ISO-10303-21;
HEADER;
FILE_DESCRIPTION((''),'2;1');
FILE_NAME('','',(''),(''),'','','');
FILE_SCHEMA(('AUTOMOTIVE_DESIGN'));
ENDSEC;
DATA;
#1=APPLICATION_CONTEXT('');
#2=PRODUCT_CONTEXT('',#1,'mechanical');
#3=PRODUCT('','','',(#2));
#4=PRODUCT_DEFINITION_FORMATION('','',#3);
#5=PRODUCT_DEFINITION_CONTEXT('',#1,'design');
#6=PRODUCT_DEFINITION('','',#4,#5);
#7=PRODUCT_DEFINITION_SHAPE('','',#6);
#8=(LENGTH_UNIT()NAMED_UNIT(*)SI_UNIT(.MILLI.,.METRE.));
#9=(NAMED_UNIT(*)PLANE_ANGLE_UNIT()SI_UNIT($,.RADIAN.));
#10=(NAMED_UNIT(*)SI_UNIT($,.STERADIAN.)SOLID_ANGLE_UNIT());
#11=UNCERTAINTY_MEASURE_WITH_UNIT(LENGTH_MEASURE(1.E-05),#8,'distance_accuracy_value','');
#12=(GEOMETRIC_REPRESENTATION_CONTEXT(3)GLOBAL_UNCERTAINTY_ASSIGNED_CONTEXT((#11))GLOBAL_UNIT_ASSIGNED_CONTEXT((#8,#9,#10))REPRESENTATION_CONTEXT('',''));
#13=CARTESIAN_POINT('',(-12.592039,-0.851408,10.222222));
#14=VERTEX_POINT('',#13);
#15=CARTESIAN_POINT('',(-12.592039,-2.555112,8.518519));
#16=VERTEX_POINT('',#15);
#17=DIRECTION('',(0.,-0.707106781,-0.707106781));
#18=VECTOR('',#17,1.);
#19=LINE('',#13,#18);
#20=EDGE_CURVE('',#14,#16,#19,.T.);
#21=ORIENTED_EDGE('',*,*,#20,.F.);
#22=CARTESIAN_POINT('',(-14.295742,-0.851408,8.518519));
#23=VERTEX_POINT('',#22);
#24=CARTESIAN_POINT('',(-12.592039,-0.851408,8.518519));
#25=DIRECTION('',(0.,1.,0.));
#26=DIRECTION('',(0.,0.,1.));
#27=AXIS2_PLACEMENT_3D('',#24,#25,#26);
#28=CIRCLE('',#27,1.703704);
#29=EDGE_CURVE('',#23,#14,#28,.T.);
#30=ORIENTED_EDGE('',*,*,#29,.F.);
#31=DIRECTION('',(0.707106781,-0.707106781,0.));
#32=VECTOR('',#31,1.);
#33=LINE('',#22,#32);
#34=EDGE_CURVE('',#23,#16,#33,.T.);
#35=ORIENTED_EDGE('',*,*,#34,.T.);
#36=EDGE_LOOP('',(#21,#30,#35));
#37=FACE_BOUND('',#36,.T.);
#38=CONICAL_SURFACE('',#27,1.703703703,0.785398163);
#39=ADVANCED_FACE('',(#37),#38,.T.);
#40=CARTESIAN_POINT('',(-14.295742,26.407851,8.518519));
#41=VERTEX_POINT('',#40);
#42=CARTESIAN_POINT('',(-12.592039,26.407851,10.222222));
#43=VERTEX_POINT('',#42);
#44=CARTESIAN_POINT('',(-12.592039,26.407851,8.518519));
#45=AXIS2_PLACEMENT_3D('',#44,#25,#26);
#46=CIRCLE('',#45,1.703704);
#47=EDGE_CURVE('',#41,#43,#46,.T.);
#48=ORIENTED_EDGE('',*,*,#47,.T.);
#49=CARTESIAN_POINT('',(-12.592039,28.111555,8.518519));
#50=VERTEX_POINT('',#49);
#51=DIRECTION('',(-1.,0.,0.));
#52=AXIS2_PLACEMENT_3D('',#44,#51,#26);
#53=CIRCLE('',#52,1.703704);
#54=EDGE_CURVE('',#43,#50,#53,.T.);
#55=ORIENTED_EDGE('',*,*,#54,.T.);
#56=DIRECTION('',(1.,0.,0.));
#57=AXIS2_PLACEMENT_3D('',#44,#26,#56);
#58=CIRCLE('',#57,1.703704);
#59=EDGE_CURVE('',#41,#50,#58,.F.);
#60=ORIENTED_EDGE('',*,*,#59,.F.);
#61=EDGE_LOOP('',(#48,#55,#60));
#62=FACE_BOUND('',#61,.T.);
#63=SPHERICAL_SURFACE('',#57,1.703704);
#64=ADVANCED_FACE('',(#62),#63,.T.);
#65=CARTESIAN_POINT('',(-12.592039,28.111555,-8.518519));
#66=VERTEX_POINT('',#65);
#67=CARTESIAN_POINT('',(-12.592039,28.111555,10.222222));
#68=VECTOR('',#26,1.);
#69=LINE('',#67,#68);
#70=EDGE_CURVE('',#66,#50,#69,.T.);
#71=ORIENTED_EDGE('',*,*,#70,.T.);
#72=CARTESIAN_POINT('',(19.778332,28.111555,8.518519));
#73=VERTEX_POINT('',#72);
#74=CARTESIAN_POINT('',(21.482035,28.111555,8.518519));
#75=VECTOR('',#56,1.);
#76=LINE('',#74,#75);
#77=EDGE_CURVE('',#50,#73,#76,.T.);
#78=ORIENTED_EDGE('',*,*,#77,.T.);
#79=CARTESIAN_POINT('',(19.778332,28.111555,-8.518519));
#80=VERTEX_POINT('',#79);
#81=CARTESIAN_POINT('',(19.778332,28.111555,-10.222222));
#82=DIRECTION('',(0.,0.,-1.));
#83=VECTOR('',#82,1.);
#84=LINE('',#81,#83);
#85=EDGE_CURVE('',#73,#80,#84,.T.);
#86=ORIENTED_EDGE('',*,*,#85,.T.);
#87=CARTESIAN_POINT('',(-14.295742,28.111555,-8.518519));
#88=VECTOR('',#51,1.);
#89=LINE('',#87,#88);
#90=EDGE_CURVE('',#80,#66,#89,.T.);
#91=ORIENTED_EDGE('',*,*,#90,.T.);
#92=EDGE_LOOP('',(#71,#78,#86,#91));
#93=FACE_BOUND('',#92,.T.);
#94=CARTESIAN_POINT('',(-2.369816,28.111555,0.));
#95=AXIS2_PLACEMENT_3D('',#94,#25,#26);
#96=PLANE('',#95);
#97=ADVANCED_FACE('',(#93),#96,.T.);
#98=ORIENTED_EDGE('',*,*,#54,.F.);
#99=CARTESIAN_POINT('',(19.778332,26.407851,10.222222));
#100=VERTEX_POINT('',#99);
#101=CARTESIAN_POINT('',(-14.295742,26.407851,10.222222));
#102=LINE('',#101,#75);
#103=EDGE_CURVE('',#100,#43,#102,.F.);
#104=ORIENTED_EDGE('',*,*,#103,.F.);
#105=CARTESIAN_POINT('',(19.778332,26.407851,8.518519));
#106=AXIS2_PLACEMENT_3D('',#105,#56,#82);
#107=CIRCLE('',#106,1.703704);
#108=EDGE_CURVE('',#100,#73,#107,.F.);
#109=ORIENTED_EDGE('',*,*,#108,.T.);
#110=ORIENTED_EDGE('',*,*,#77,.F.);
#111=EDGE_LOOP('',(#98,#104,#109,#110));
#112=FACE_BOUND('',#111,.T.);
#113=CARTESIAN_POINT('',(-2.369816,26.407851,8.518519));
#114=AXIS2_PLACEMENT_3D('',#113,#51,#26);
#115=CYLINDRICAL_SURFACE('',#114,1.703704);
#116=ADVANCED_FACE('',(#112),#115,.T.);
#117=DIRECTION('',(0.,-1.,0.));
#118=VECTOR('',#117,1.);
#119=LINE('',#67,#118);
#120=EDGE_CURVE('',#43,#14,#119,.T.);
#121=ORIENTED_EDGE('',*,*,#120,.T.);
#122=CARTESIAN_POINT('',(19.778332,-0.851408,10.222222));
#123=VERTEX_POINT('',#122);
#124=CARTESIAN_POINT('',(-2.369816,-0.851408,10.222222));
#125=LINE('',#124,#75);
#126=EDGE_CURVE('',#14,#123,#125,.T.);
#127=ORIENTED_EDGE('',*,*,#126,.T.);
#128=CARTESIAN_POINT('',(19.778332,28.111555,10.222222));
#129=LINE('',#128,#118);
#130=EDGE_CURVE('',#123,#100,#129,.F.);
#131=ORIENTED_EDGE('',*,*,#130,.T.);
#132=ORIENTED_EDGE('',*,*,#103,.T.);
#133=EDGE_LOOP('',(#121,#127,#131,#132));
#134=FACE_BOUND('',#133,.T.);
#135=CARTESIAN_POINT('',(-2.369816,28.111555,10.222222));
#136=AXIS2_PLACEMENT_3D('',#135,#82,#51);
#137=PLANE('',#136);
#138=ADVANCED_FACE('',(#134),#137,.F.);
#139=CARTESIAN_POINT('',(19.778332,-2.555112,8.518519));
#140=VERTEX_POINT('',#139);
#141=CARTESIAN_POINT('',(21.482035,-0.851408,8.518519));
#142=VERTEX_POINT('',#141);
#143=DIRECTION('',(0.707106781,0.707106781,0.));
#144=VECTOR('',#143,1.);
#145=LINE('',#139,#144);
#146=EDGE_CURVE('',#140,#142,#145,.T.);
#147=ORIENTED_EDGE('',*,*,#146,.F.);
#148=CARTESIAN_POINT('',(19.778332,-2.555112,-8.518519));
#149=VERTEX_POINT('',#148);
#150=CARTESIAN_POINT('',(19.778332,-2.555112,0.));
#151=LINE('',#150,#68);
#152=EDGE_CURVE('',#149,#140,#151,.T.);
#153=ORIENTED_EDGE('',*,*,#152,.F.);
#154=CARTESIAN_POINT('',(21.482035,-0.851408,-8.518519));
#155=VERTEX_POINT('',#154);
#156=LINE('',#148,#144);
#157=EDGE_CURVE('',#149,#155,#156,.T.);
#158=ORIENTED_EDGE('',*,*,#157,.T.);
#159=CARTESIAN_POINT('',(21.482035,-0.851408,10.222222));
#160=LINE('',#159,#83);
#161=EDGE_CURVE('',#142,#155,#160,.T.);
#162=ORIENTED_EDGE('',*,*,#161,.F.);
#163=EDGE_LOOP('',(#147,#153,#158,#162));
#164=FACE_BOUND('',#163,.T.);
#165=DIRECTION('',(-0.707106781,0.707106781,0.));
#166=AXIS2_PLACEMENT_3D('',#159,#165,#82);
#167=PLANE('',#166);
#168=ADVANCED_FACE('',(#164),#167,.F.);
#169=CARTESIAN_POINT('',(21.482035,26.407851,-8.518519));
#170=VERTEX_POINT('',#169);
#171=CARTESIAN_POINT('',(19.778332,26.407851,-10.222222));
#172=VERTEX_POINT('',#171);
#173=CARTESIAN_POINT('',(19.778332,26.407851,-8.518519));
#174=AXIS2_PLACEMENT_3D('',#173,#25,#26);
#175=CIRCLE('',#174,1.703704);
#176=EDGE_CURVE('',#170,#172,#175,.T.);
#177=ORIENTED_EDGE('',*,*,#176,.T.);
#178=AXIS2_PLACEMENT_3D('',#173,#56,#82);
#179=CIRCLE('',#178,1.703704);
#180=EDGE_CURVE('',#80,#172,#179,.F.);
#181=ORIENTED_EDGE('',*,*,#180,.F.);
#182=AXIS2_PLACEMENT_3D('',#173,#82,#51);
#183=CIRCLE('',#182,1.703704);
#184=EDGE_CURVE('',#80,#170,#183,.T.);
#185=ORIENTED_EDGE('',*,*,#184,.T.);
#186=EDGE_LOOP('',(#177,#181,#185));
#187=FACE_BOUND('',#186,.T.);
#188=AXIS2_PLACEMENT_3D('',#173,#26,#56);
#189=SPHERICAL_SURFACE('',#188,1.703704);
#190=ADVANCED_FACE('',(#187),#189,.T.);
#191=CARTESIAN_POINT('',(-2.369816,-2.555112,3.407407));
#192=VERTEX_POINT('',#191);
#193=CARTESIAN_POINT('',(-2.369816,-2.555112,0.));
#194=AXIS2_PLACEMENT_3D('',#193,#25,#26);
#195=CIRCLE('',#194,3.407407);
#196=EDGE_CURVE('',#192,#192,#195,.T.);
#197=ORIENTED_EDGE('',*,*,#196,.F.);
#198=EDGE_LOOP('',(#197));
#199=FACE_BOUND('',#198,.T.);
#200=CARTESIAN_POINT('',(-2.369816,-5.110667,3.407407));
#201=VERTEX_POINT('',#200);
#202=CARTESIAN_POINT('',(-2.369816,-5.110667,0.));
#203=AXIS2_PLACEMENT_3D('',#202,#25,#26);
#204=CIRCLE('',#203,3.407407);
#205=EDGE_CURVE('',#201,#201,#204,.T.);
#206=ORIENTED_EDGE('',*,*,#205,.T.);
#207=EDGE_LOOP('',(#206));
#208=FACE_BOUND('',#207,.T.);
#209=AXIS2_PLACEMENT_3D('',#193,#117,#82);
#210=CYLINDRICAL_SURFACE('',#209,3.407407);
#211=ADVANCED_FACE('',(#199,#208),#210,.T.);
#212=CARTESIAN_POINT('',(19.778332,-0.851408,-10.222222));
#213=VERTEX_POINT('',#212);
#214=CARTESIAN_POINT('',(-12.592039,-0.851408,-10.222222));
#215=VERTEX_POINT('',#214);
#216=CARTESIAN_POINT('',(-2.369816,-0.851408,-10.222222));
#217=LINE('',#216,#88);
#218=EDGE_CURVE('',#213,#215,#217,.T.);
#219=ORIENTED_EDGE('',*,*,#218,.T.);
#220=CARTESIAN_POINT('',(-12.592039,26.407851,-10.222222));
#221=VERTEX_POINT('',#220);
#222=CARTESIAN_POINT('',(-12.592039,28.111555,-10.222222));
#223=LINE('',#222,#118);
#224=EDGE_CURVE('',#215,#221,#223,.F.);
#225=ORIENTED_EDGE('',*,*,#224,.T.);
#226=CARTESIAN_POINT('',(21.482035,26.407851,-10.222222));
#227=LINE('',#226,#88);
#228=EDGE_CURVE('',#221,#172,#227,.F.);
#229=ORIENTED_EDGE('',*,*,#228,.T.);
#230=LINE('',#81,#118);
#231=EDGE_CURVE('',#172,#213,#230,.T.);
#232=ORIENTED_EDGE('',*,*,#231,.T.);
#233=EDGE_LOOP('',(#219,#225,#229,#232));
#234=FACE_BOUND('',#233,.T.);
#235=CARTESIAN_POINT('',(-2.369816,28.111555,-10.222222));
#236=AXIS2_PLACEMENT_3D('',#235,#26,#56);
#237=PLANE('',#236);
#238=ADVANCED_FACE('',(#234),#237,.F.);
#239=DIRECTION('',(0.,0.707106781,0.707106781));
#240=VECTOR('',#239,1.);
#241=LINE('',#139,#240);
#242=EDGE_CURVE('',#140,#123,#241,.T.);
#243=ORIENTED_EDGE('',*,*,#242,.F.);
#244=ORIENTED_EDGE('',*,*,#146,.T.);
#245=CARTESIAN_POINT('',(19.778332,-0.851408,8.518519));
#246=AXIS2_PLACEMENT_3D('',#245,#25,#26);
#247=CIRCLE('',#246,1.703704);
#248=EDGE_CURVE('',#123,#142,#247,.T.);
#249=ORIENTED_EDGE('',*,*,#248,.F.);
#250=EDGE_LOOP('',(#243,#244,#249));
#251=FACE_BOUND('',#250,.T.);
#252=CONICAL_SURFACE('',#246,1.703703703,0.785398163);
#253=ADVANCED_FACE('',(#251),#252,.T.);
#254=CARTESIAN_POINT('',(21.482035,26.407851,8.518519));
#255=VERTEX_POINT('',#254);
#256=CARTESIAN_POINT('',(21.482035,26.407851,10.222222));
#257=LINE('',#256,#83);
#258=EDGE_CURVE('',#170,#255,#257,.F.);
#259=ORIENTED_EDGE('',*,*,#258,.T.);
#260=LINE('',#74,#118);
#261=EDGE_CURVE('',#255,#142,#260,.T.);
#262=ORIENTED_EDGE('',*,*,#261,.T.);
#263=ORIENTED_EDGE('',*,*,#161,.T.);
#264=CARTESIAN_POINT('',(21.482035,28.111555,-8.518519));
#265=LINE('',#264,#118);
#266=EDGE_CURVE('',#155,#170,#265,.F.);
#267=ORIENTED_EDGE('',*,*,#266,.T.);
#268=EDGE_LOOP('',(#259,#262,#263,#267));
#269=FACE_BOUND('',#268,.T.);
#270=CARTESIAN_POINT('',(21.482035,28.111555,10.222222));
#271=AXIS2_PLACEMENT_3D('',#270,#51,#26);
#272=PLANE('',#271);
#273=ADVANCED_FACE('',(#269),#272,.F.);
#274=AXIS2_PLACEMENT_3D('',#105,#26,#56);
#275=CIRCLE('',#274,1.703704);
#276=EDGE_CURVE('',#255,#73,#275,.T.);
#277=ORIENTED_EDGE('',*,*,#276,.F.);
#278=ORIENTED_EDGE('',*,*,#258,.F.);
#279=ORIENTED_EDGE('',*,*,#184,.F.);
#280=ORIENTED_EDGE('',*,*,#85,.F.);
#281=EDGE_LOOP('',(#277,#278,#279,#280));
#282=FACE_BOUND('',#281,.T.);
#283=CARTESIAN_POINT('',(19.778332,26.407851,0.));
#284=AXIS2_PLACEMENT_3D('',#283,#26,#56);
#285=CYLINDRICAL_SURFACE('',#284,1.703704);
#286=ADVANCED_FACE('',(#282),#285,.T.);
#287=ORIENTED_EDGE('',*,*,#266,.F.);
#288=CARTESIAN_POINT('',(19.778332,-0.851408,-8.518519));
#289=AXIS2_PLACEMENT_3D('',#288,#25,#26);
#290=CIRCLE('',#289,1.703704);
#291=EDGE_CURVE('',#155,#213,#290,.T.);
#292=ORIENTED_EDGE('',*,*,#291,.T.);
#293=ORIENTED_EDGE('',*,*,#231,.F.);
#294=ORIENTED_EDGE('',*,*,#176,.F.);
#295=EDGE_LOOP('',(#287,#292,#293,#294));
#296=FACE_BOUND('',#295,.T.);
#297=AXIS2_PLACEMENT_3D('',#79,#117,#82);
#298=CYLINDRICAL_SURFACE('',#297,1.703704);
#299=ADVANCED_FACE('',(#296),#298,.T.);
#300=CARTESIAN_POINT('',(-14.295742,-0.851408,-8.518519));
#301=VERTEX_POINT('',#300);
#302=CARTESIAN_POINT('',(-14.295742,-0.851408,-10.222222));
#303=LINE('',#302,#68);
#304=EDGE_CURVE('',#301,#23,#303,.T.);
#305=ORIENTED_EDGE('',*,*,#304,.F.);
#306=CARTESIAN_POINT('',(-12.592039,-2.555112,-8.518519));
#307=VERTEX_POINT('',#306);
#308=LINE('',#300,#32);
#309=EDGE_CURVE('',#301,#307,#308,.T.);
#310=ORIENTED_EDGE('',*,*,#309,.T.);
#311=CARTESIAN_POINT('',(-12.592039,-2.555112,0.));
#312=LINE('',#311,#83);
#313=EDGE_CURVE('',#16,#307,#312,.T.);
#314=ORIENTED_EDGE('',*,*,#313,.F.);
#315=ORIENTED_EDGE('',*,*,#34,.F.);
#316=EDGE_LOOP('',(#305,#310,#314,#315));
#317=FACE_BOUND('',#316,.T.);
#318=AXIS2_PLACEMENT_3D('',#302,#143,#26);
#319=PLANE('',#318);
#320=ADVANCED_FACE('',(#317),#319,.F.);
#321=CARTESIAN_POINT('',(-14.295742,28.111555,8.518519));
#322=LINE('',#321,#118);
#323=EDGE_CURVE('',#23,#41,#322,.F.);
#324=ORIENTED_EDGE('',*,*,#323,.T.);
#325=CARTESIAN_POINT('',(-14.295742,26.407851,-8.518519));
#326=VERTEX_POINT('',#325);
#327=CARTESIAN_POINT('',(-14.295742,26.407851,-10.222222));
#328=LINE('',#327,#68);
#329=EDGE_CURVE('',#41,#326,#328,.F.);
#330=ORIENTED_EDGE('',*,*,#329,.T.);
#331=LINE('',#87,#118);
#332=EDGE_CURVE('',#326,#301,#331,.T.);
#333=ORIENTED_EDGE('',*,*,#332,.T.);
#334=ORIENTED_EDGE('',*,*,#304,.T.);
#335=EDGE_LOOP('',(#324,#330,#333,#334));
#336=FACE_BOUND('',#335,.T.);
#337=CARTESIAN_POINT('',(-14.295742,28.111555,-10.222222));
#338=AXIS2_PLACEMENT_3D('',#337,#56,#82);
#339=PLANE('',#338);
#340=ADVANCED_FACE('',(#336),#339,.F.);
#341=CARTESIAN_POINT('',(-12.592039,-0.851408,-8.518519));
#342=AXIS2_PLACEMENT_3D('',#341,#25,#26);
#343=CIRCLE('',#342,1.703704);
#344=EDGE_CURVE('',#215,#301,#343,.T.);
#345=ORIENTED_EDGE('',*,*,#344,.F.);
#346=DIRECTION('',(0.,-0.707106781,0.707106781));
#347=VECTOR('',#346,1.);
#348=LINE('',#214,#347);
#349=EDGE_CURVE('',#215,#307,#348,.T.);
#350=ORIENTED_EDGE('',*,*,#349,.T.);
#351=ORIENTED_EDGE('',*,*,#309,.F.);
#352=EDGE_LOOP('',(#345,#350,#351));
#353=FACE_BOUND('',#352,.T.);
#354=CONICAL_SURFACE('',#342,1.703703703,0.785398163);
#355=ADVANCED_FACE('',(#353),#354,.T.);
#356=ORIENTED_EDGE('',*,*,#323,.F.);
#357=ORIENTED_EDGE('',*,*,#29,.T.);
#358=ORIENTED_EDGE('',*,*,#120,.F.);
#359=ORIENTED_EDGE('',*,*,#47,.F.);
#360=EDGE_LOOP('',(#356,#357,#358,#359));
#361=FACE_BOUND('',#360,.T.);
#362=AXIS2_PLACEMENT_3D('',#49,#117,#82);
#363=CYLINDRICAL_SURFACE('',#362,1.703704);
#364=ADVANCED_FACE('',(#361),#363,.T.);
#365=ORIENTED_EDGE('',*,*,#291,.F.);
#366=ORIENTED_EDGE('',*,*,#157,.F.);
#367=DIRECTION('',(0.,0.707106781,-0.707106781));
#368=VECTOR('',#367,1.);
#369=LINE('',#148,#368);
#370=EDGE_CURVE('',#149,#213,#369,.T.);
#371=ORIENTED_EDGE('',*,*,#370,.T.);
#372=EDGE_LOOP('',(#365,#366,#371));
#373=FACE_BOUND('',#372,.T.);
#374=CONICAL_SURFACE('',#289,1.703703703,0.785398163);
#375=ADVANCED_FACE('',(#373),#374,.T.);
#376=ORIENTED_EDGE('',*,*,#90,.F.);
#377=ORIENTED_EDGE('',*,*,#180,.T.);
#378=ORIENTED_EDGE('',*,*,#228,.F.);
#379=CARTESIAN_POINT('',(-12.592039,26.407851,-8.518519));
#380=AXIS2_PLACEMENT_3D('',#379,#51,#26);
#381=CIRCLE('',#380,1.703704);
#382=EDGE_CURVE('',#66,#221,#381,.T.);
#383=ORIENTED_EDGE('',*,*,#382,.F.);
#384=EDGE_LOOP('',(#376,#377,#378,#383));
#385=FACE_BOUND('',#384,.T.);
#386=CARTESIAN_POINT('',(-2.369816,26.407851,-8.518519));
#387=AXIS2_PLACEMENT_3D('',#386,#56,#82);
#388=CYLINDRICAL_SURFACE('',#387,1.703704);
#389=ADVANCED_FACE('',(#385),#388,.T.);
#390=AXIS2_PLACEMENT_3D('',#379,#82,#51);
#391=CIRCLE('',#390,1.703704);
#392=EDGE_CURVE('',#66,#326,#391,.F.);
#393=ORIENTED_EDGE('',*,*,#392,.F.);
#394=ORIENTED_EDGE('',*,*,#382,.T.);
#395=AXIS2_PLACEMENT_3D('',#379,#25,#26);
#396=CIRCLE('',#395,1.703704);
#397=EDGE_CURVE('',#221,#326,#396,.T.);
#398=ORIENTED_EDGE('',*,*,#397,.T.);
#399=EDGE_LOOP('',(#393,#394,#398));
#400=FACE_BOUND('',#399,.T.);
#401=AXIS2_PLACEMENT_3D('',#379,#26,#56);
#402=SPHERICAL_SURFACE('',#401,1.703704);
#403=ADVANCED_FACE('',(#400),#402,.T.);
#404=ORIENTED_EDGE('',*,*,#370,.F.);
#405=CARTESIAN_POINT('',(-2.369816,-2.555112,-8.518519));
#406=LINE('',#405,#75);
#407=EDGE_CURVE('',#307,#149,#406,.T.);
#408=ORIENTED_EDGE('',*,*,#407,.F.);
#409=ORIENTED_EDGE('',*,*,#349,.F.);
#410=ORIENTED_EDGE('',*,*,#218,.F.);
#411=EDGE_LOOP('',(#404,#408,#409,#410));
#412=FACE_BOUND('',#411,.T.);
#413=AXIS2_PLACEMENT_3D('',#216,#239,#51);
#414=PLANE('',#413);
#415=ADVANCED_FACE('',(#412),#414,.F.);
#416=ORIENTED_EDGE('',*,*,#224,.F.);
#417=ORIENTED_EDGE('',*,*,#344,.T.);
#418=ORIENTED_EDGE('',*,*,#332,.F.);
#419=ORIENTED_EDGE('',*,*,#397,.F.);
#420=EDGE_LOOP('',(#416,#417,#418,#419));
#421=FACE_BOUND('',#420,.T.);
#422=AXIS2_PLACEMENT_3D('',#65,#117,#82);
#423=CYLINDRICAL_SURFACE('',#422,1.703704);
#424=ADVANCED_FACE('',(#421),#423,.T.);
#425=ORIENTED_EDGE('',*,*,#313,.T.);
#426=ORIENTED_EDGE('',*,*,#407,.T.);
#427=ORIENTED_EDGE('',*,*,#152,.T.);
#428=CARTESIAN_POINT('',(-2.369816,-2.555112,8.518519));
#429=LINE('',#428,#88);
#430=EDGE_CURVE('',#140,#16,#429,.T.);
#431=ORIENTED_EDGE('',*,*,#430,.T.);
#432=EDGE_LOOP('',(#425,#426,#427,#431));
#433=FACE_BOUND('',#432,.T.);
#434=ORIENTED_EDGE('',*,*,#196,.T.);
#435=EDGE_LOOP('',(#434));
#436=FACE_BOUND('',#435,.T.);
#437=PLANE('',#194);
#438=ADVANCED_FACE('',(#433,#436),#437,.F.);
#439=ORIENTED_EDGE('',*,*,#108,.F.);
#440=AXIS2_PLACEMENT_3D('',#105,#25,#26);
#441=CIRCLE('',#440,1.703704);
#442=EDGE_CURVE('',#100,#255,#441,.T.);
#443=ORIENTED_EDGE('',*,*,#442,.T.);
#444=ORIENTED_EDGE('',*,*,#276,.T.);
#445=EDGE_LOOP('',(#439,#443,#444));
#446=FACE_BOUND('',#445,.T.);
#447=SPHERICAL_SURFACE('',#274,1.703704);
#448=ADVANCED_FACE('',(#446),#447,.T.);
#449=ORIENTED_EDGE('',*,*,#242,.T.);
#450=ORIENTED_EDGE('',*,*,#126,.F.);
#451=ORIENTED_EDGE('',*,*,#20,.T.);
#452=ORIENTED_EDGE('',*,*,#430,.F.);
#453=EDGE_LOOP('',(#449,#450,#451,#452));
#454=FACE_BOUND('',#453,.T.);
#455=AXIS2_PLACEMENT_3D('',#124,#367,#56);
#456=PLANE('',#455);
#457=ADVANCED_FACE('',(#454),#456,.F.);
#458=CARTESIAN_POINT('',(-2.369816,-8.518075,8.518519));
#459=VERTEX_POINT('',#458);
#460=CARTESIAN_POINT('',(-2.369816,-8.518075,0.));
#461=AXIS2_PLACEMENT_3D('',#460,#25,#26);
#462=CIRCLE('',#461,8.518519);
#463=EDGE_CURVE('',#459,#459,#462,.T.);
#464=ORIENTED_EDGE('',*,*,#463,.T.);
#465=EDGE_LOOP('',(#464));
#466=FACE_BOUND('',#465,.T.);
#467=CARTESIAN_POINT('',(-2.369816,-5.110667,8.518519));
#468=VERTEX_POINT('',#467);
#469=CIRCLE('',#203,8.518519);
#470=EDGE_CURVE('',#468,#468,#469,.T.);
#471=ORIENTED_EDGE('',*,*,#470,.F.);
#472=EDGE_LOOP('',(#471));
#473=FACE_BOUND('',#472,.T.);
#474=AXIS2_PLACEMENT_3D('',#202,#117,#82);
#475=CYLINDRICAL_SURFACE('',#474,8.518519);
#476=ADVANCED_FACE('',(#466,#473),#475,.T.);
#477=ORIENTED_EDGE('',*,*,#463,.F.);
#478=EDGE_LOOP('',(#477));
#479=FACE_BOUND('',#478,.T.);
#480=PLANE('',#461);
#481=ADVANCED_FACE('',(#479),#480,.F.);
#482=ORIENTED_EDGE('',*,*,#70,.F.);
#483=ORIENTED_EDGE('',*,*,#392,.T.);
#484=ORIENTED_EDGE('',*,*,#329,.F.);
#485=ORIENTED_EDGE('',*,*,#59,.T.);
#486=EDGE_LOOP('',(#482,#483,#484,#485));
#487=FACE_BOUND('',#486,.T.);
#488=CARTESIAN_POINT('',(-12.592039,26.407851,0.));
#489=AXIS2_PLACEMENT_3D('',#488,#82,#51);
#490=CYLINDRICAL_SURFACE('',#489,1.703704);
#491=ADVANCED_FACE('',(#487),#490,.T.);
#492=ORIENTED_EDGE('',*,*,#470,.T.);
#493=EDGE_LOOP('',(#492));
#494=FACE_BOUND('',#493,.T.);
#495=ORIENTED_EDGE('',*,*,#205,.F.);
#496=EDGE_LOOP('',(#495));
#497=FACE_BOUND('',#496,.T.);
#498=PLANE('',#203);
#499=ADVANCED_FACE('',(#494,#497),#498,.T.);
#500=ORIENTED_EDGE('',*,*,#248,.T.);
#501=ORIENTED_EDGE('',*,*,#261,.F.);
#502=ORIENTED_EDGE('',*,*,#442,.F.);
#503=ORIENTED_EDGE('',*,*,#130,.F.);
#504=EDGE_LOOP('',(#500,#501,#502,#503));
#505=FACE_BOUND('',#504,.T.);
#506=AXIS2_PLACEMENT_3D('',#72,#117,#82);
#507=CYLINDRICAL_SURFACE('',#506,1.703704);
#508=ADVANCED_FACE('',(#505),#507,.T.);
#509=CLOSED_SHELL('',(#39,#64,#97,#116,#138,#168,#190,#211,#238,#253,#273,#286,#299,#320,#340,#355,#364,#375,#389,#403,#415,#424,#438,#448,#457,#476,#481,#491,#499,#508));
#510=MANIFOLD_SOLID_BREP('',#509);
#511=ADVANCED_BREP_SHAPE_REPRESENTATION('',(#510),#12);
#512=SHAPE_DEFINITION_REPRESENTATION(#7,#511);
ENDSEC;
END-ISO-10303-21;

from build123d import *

# Parameters (mm, degrees)
SKETCH_1_R      = 5
EXTRUDE_1_DEPTH = 2
SKETCH_2_R      = 2
EXTRUDE_2_DEPTH = 1.5
EXTRUDE_3_DEPTH = 18
FILLET_1_R      = 1
CHAMFER_1_SIZE  = 1
SCALE_1_SCALE   = 1.703703703


with BuildPart() as part:
    # 草图1 → 凸台-拉伸1 (new body)
    with BuildSketch(Plane(origin=(0, 0, 0), x_dir=(1, 0, 0), z_dir=(0, 1, 0))):
        with Locations(Location((0, 0, 0), (0, 0, 270))):
            Circle(SKETCH_1_R)
    extrude(amount=EXTRUDE_1_DEPTH)

    # 草图2 → 凸台-拉伸2 (add)
    with BuildSketch(Plane(origin=(0, 2, 0), x_dir=(1, 0, 0), z_dir=(0, 1, 0))):
        with Locations(Location((0, 0, 0), (0, 0, 270))):
            Circle(SKETCH_2_R)
    extrude(amount=EXTRUDE_2_DEPTH)

    # 草图3 → 凸台-拉伸3 (add)
    with BuildSketch(Plane(origin=(0, 3.5, 0), x_dir=(1, 0, 0), z_dir=(0, 1, 0))):
        Polygon((0, -6), (-7, -6), (-7, 6), (0, 6), (14, 6), (14, -6), align=None)
    extrude(amount=EXTRUDE_3_DEPTH)

    # 圆角1
    fillet_1_edges = [part.edges().sort_by_distance(p)[0] for p in [
        (14, 12.5, 6),
        (14, 12.5, -6),
        (-7, 12.5, -6),
        (-7, 12.5, 6),
        (3.5, 21.5, 6),
        (14, 21.5, 0),
        (3.5, 21.5, -6),
        (-7, 21.5, 0),
    ]]
    fillet(fillet_1_edges, radius=FILLET_1_R)

    # 倒角1
    chamfer_1_edges = [part.edges().sort_by_distance(p)[0] for p in [
        (-7, 3.5, 0),
        (3.5, 3.5, -6),
        (14, 3.5, 0),
        (3.5, 3.5, 6),
        (-6.707106781, 3.5, -5.707106781),
        (-6.707106781, 3.5, 5.707106781),
        (13.707106781, 3.5, -5.707106781),
        (13.707106781, 3.5, 5.707106781),
    ]]
    chamfer(chamfer_1_edges, length=CHAMFER_1_SIZE)


with BuildPart() as part_1:
    # 缩放比例1: scaled about (3.367633963, 12.104632395, 0)
    add(part.part.scale(SCALE_1_SCALE).moved(Location((-2.36981649, -8.518074639, 0))))


solid = part_1.part
